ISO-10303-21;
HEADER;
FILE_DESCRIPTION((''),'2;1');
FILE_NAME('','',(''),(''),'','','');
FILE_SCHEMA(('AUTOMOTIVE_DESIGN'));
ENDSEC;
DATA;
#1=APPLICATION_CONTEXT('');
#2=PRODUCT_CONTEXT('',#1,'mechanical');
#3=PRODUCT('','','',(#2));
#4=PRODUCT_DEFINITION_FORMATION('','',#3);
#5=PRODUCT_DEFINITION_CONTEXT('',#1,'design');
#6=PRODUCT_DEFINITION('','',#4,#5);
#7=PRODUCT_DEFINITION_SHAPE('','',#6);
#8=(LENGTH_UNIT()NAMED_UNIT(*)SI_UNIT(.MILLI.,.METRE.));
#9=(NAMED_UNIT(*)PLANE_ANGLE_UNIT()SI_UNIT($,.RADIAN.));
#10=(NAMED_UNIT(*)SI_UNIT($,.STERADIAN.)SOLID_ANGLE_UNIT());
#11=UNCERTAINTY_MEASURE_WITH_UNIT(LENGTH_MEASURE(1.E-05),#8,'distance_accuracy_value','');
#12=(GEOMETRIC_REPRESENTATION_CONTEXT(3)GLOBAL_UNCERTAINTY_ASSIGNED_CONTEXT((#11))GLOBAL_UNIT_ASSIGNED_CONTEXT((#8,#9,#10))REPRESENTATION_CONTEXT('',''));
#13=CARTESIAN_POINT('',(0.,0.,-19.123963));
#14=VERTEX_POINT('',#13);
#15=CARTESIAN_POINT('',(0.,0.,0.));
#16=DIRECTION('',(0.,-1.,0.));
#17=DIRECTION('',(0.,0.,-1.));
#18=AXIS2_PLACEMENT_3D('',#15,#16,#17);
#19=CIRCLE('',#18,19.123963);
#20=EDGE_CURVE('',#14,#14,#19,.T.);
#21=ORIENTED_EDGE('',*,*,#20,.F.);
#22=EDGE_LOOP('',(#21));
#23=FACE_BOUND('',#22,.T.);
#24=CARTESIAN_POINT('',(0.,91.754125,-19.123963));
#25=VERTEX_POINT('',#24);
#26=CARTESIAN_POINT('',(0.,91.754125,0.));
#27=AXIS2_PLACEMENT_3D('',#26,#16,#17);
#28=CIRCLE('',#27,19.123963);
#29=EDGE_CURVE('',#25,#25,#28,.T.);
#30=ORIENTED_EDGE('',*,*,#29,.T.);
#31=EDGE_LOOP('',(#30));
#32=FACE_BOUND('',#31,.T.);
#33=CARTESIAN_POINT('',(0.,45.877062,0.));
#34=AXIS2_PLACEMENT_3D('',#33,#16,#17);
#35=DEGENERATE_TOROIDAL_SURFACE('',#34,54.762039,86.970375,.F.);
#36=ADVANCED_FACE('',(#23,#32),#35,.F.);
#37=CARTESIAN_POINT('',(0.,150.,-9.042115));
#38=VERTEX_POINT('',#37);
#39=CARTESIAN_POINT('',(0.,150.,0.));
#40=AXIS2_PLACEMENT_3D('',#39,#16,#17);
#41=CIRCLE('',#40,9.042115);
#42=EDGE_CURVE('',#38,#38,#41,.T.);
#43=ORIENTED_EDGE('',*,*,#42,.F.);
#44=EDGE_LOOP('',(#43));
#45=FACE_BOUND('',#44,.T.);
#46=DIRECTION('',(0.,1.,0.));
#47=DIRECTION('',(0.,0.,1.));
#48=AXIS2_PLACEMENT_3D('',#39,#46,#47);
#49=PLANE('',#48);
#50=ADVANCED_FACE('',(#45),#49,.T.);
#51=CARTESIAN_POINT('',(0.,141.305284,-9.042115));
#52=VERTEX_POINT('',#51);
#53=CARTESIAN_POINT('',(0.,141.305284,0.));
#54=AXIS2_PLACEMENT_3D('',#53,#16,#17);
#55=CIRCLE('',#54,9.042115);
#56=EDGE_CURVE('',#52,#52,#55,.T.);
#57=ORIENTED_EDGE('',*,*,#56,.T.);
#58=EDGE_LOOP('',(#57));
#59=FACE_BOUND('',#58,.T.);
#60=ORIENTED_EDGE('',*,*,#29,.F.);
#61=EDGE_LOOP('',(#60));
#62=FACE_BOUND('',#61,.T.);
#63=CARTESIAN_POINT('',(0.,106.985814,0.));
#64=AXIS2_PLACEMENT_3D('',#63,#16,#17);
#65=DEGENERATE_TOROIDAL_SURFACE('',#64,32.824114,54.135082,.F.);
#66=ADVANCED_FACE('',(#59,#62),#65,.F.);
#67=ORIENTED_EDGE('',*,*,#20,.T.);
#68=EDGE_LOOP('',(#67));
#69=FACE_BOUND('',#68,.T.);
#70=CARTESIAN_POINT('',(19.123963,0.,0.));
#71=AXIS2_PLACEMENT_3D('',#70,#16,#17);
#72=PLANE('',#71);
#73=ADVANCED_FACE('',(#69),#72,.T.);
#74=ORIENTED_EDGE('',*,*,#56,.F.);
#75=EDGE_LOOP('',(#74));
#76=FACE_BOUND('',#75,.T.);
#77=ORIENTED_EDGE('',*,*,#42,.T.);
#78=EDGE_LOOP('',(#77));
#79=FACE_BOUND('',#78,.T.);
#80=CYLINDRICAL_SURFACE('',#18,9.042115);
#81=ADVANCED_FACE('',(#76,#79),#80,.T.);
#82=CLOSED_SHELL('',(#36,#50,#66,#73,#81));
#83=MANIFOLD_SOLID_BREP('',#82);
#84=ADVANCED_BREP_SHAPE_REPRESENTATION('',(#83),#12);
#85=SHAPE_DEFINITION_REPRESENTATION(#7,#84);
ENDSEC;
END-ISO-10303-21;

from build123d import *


with BuildPart() as part:
    # Croquis1 → Revolución1 (revolve)
    with BuildSketch(Plane.XY, mode=Mode.PRIVATE) as revoluci_n1_sk:
        with BuildLine():
            Line((0, 0), (0, 150))
            Line((0, 150), (9.042114597, 150))
            Line((9.042114597, 150), (9.042114597, 141.30528364))
            ThreePointArc((9.042114597, 141.30528364), (20.224074745, 117.779180268), (19.123963026, 91.754124517))
            ThreePointArc((19.123963026, 91.754124517), (32.208336123, 45.877062258), (19.123963026, 0))
            Line((19.123963026, 0), (0, 0))
        make_face()
    revolve(revoluci_n1_sk.sketch.rotate(Axis((0, 0, 0), (0, 1, 0)), 90), axis=Axis((0, 0, 0), (0, 1, 0)))


solid = part.part
